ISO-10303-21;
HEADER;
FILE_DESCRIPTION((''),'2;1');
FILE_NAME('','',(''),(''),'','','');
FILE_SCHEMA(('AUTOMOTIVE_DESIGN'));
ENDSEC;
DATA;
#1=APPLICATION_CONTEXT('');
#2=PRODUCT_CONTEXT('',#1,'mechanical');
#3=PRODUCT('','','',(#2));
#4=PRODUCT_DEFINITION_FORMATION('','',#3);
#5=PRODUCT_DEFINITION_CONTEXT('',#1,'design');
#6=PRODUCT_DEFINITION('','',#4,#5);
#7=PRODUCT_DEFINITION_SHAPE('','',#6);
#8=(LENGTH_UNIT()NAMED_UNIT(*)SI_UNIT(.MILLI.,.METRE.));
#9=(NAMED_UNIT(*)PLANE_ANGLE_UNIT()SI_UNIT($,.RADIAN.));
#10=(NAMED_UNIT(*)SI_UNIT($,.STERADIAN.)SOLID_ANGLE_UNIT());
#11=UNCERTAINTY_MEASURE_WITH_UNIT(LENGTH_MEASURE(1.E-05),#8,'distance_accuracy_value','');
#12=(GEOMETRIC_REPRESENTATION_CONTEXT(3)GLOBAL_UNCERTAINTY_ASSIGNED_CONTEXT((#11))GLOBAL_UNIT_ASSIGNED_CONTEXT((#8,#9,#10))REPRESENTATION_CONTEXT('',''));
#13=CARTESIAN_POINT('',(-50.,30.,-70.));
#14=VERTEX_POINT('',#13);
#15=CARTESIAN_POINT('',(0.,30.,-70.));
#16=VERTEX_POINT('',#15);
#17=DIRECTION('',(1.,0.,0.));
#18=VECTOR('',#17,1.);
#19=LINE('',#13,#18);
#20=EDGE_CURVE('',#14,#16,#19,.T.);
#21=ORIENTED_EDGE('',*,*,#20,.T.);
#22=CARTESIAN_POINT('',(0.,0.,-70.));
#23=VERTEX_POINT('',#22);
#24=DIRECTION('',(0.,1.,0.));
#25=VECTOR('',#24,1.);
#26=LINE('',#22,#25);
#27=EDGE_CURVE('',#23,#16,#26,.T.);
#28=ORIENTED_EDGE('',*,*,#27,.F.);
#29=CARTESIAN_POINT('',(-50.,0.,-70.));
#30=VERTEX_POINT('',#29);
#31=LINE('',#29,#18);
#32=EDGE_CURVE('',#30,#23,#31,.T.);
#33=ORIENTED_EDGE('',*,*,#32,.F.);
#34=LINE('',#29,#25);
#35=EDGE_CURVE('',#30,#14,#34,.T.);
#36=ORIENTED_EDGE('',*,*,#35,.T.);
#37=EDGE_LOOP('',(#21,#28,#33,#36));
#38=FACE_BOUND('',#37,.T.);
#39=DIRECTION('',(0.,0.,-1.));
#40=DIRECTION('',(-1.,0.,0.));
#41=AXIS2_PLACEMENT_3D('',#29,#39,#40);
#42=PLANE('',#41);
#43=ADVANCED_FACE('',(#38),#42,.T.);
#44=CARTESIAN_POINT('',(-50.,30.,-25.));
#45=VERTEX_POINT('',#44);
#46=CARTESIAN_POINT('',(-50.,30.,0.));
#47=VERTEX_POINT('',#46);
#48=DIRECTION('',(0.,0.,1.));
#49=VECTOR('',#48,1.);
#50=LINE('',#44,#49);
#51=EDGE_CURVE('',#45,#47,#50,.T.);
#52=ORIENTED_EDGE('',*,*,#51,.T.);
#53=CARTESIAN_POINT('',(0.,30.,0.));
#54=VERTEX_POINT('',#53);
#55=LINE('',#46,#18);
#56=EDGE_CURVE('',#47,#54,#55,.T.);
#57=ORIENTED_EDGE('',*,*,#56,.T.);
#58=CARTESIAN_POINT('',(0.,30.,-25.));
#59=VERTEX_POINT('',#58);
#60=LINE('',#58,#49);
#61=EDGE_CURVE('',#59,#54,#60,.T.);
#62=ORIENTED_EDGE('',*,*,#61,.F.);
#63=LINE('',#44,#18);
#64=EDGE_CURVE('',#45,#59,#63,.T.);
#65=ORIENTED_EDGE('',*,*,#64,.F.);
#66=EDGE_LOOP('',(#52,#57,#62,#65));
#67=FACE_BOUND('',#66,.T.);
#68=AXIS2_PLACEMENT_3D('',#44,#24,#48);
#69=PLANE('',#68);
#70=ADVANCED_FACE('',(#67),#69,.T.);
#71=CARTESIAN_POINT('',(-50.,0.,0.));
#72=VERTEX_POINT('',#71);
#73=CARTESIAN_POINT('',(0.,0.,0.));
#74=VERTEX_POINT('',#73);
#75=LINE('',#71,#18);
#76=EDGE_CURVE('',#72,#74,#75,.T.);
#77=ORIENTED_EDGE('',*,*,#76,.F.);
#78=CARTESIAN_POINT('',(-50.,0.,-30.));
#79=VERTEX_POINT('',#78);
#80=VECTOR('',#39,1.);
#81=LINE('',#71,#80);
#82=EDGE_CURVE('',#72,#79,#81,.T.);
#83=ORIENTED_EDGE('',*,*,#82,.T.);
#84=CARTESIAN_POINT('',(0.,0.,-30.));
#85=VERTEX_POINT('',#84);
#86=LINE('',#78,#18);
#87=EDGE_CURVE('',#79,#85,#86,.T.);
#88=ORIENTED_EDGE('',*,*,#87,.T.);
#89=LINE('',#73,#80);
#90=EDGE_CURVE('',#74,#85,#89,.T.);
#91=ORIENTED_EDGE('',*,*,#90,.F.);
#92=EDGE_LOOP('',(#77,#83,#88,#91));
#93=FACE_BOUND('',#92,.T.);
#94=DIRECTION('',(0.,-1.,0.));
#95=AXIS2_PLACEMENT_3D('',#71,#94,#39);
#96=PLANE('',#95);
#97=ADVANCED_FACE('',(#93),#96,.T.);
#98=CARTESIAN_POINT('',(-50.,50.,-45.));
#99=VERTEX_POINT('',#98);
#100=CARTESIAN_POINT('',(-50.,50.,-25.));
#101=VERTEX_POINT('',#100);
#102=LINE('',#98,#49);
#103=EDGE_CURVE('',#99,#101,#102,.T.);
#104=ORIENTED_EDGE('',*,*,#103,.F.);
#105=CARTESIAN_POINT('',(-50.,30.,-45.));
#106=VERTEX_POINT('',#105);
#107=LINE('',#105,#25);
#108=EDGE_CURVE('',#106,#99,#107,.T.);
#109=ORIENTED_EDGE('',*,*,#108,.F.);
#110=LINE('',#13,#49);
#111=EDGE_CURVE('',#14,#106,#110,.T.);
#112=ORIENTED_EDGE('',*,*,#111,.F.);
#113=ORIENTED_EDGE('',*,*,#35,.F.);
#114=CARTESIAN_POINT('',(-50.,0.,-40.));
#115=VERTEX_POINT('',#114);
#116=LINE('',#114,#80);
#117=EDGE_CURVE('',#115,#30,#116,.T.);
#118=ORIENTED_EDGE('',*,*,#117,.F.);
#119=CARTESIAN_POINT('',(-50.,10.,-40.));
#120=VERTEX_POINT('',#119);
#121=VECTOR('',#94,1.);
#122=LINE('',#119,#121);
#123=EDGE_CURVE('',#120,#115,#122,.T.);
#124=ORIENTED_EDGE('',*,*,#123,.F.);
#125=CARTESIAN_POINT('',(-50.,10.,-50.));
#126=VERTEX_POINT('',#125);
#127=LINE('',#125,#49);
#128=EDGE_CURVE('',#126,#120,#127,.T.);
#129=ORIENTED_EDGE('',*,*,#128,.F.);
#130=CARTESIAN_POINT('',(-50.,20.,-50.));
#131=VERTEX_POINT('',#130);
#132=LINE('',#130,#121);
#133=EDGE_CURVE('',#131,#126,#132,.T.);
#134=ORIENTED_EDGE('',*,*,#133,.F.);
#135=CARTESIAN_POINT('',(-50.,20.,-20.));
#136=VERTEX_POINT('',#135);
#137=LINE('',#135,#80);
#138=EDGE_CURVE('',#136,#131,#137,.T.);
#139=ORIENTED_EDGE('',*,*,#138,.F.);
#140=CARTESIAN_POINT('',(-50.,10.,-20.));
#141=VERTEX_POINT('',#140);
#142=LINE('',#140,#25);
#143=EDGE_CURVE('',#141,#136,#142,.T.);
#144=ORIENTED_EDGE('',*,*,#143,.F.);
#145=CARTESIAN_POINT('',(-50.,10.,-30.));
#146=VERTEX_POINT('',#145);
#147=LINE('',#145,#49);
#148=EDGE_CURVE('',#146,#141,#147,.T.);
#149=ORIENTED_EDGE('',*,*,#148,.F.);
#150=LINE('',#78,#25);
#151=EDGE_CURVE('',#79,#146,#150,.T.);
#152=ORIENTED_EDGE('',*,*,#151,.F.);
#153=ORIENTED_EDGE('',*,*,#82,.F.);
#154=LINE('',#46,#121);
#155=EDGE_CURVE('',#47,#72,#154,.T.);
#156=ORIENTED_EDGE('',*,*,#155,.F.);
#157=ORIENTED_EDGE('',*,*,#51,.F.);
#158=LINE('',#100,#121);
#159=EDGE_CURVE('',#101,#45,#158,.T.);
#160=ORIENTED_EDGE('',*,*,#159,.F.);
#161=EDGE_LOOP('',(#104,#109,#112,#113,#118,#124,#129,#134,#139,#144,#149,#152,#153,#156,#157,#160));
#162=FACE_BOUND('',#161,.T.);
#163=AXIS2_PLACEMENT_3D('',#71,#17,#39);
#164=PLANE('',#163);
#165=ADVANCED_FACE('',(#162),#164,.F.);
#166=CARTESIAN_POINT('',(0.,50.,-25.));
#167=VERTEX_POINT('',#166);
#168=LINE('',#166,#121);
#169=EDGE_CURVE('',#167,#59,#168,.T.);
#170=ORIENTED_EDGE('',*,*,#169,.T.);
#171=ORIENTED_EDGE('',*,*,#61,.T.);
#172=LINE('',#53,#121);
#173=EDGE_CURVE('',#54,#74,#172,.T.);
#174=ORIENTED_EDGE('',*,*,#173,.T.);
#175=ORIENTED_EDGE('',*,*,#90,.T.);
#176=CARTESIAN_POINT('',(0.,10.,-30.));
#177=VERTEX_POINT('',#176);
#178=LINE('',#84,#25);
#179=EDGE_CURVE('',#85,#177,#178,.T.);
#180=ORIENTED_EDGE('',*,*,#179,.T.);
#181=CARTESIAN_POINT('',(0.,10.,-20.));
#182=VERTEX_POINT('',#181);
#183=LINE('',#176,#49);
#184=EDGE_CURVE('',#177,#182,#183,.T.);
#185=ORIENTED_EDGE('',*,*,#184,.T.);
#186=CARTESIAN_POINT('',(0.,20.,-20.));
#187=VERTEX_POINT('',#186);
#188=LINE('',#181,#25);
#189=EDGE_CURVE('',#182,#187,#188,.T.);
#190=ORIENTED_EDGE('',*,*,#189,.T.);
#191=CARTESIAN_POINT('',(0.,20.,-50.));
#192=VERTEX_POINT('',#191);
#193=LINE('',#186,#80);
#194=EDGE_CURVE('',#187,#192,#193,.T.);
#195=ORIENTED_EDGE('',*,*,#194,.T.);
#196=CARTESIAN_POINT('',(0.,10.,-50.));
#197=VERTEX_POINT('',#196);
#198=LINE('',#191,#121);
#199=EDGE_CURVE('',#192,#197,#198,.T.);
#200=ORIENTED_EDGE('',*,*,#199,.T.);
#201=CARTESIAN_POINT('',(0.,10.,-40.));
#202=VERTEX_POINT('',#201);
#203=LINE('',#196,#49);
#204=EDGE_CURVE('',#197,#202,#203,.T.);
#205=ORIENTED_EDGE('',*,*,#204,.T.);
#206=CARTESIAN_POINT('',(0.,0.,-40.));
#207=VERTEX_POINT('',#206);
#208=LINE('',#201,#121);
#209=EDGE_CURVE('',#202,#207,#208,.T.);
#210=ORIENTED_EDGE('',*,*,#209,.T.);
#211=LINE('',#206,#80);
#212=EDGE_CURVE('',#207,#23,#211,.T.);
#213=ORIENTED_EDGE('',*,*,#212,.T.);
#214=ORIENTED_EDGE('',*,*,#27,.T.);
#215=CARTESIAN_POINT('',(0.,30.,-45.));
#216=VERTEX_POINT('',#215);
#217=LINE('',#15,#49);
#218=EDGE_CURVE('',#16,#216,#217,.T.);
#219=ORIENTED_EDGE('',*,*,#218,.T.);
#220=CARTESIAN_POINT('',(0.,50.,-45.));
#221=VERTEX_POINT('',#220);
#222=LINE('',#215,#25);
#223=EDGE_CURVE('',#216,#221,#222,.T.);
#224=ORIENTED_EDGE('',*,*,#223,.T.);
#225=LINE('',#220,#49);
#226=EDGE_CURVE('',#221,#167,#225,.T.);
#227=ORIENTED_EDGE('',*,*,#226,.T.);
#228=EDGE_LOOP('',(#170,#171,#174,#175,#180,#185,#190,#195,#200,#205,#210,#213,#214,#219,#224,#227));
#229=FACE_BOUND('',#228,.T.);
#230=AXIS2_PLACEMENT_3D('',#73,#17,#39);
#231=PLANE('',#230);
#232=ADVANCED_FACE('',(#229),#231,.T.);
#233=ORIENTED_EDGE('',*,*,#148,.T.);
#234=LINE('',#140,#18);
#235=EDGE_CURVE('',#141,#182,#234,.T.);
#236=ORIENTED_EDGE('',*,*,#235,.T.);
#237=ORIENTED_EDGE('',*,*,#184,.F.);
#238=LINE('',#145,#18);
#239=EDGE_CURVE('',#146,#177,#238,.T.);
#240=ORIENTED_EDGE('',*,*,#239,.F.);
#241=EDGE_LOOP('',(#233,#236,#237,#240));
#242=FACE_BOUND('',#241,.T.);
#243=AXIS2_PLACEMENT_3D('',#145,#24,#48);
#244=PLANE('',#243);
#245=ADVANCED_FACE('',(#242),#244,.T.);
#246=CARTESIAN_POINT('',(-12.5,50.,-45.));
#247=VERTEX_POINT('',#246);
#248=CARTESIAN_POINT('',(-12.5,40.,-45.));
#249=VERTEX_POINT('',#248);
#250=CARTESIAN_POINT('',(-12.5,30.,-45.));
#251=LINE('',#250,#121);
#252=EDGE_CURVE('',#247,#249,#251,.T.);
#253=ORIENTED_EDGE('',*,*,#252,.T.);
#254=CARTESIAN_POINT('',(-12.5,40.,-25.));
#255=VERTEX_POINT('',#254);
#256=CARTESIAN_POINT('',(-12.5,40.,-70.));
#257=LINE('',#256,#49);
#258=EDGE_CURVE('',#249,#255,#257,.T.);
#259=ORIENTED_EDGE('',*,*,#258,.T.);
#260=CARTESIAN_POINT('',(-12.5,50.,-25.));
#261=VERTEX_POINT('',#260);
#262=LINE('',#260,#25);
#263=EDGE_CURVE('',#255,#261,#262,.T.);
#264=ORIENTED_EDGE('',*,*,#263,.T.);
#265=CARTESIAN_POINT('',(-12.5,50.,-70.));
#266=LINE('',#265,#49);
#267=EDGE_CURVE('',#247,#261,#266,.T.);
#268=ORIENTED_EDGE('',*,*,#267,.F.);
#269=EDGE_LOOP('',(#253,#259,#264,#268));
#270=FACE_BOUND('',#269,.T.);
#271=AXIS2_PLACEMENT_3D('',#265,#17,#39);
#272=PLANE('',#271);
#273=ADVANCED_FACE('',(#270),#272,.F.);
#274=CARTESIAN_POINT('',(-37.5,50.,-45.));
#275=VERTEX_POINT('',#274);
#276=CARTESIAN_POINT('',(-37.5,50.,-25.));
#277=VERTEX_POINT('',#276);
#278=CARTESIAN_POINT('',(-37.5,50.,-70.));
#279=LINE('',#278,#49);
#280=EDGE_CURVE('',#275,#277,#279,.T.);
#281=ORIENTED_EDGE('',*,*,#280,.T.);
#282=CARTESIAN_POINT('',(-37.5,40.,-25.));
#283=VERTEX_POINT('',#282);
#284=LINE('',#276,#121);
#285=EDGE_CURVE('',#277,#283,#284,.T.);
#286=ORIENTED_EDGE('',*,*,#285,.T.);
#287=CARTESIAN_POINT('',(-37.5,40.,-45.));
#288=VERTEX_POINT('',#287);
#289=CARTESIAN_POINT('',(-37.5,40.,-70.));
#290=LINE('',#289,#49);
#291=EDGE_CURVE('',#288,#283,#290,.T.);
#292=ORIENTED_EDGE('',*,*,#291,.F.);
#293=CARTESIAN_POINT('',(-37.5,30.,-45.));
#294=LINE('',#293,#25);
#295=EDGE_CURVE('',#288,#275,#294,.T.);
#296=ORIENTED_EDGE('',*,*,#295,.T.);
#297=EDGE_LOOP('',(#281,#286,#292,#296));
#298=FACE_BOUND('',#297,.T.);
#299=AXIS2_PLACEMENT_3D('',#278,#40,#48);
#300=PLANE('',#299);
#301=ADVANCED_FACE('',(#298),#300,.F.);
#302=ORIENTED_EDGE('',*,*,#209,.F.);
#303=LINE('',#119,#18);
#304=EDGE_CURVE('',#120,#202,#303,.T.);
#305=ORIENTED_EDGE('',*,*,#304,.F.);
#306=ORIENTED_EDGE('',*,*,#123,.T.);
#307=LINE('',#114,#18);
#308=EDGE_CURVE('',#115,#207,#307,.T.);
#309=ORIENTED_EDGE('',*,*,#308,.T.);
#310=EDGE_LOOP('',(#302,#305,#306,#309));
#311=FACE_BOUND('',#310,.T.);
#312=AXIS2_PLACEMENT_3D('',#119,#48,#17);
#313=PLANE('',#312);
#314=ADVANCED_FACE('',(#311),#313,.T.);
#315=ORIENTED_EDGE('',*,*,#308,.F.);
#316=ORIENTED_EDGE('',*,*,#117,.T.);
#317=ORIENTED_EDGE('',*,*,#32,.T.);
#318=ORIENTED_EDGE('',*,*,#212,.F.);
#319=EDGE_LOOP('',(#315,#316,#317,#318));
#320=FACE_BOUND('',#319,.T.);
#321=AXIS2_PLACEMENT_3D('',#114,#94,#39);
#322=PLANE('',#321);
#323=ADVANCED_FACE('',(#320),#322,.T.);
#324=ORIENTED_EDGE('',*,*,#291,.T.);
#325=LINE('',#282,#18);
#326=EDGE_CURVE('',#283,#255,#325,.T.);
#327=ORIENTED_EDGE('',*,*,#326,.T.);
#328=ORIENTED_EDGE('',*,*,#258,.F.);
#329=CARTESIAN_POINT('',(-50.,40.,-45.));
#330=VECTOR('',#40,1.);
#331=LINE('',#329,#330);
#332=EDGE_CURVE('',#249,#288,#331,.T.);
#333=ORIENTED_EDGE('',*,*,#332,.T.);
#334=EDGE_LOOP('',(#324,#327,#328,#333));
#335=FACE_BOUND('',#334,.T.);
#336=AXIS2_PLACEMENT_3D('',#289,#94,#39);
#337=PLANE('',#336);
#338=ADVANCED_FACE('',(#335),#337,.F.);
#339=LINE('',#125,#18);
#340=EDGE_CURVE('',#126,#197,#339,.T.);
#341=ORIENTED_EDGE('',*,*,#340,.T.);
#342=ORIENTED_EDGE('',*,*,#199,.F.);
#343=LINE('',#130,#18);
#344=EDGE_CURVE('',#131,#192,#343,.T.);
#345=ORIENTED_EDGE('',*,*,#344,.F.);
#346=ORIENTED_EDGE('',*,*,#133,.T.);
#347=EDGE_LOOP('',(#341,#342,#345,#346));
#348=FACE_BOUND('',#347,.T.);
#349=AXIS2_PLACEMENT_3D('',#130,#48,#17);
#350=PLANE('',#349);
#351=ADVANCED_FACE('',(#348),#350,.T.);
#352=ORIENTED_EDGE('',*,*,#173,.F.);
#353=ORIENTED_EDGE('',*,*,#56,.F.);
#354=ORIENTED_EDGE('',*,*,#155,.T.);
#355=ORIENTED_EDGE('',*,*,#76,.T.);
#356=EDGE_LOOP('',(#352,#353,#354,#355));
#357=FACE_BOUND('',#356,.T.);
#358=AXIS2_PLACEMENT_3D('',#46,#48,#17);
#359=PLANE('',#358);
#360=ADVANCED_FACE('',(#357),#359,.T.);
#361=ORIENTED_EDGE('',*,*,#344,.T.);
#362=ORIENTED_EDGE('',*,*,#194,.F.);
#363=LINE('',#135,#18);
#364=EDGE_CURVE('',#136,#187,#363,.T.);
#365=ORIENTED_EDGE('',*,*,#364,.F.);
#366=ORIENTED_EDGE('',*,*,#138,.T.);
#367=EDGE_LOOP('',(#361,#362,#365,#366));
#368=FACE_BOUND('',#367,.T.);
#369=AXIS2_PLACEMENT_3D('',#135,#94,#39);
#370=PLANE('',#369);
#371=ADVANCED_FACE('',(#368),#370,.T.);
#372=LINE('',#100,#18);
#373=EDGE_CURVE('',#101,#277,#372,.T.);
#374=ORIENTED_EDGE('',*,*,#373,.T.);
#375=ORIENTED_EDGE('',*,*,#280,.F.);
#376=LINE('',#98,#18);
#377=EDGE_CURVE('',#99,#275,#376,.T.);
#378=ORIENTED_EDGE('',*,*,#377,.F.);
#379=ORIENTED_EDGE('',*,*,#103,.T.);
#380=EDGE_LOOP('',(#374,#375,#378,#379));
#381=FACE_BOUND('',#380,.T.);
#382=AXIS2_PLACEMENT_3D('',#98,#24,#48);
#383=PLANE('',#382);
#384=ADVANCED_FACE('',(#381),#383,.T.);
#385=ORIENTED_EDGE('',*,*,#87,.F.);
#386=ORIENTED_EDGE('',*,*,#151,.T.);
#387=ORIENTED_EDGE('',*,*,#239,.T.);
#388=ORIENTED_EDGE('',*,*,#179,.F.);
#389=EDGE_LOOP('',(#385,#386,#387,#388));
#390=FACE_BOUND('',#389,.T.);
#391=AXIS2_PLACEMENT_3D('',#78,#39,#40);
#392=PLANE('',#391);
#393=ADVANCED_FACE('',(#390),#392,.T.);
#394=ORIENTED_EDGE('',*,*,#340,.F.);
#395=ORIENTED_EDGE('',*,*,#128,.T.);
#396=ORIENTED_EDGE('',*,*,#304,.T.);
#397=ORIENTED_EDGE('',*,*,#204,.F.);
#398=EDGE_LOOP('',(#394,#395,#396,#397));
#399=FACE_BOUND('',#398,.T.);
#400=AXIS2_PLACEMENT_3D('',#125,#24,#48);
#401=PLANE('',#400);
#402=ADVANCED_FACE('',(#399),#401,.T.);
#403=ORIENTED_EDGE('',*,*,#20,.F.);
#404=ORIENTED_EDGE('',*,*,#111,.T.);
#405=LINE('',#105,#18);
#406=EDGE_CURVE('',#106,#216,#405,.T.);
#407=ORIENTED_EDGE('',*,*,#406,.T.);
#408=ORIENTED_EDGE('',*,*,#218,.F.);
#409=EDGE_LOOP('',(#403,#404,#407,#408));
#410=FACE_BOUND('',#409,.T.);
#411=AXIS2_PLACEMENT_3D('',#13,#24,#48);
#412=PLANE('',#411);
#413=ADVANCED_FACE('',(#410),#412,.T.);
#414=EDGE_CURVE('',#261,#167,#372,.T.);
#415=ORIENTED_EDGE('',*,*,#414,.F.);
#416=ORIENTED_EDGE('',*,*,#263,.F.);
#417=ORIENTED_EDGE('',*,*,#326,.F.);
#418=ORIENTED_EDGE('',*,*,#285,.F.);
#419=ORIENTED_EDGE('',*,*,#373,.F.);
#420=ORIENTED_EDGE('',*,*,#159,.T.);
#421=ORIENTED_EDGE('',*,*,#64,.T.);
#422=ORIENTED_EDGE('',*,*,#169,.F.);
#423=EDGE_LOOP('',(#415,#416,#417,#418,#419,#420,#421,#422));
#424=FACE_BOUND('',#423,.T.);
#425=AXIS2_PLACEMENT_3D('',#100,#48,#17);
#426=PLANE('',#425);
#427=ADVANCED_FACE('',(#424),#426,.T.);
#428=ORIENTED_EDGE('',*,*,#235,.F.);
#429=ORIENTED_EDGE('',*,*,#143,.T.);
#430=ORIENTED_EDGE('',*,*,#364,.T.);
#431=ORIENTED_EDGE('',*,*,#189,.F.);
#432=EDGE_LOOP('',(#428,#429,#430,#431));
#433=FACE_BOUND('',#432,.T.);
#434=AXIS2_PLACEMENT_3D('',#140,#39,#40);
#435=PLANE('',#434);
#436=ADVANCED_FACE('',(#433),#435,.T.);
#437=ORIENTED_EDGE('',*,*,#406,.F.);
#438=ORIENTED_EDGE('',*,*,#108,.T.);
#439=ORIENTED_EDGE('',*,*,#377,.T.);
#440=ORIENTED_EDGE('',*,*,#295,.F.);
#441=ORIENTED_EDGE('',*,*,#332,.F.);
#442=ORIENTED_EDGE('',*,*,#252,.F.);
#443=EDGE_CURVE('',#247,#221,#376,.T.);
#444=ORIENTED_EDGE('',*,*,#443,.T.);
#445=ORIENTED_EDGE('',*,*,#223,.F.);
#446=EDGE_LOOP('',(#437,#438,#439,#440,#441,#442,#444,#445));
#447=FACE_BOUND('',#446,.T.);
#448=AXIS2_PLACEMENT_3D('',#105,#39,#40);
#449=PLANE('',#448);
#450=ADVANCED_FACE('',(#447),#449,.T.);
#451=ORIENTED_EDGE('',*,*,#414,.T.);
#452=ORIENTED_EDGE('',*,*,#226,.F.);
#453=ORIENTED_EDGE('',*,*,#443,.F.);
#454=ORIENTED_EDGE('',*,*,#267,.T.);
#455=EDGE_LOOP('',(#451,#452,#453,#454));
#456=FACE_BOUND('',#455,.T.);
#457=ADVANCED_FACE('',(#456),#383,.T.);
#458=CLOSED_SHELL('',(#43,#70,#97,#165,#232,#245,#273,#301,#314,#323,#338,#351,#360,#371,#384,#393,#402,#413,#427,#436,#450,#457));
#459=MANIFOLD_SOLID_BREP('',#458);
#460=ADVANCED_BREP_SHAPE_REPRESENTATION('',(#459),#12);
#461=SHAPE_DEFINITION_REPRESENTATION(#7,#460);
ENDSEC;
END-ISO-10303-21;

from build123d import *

# Parameters (mm, degrees)
BOSS_EXTRUDE1_DEPTH = 50
SKETCH2_W           = 25
SKETCH2_H           = 10
CUT_EXTRUDE1_DEPTH  = 84.815273071


with BuildPart() as part:
    # Sketch1 → Boss-Extrude1 (new body)
    with BuildSketch(Plane(origin=(0, 0, 0), x_dir=(0, 0, -1), z_dir=(1, 0, 0))):
        Polygon((0, 0), (30, 0), (30, 10), (20, 10), (20, 20), (50, 20), (50, 10), (40, 10), (40, 0), (70, 0), (70, 30), (45, 30), (45, 50), (25, 50), (25, 30), (0, 30), align=None)
    extrude(amount=-BOSS_EXTRUDE1_DEPTH)

    # Sketch2 → Cut-Extrude1 (cut, through all)
    with BuildSketch(Plane.XY.offset(-25)):
        with Locations((-25, 45)):
            Rectangle(SKETCH2_W, SKETCH2_H)
    extrude(amount=-CUT_EXTRUDE1_DEPTH, mode=Mode.SUBTRACT)


solid = part.part
